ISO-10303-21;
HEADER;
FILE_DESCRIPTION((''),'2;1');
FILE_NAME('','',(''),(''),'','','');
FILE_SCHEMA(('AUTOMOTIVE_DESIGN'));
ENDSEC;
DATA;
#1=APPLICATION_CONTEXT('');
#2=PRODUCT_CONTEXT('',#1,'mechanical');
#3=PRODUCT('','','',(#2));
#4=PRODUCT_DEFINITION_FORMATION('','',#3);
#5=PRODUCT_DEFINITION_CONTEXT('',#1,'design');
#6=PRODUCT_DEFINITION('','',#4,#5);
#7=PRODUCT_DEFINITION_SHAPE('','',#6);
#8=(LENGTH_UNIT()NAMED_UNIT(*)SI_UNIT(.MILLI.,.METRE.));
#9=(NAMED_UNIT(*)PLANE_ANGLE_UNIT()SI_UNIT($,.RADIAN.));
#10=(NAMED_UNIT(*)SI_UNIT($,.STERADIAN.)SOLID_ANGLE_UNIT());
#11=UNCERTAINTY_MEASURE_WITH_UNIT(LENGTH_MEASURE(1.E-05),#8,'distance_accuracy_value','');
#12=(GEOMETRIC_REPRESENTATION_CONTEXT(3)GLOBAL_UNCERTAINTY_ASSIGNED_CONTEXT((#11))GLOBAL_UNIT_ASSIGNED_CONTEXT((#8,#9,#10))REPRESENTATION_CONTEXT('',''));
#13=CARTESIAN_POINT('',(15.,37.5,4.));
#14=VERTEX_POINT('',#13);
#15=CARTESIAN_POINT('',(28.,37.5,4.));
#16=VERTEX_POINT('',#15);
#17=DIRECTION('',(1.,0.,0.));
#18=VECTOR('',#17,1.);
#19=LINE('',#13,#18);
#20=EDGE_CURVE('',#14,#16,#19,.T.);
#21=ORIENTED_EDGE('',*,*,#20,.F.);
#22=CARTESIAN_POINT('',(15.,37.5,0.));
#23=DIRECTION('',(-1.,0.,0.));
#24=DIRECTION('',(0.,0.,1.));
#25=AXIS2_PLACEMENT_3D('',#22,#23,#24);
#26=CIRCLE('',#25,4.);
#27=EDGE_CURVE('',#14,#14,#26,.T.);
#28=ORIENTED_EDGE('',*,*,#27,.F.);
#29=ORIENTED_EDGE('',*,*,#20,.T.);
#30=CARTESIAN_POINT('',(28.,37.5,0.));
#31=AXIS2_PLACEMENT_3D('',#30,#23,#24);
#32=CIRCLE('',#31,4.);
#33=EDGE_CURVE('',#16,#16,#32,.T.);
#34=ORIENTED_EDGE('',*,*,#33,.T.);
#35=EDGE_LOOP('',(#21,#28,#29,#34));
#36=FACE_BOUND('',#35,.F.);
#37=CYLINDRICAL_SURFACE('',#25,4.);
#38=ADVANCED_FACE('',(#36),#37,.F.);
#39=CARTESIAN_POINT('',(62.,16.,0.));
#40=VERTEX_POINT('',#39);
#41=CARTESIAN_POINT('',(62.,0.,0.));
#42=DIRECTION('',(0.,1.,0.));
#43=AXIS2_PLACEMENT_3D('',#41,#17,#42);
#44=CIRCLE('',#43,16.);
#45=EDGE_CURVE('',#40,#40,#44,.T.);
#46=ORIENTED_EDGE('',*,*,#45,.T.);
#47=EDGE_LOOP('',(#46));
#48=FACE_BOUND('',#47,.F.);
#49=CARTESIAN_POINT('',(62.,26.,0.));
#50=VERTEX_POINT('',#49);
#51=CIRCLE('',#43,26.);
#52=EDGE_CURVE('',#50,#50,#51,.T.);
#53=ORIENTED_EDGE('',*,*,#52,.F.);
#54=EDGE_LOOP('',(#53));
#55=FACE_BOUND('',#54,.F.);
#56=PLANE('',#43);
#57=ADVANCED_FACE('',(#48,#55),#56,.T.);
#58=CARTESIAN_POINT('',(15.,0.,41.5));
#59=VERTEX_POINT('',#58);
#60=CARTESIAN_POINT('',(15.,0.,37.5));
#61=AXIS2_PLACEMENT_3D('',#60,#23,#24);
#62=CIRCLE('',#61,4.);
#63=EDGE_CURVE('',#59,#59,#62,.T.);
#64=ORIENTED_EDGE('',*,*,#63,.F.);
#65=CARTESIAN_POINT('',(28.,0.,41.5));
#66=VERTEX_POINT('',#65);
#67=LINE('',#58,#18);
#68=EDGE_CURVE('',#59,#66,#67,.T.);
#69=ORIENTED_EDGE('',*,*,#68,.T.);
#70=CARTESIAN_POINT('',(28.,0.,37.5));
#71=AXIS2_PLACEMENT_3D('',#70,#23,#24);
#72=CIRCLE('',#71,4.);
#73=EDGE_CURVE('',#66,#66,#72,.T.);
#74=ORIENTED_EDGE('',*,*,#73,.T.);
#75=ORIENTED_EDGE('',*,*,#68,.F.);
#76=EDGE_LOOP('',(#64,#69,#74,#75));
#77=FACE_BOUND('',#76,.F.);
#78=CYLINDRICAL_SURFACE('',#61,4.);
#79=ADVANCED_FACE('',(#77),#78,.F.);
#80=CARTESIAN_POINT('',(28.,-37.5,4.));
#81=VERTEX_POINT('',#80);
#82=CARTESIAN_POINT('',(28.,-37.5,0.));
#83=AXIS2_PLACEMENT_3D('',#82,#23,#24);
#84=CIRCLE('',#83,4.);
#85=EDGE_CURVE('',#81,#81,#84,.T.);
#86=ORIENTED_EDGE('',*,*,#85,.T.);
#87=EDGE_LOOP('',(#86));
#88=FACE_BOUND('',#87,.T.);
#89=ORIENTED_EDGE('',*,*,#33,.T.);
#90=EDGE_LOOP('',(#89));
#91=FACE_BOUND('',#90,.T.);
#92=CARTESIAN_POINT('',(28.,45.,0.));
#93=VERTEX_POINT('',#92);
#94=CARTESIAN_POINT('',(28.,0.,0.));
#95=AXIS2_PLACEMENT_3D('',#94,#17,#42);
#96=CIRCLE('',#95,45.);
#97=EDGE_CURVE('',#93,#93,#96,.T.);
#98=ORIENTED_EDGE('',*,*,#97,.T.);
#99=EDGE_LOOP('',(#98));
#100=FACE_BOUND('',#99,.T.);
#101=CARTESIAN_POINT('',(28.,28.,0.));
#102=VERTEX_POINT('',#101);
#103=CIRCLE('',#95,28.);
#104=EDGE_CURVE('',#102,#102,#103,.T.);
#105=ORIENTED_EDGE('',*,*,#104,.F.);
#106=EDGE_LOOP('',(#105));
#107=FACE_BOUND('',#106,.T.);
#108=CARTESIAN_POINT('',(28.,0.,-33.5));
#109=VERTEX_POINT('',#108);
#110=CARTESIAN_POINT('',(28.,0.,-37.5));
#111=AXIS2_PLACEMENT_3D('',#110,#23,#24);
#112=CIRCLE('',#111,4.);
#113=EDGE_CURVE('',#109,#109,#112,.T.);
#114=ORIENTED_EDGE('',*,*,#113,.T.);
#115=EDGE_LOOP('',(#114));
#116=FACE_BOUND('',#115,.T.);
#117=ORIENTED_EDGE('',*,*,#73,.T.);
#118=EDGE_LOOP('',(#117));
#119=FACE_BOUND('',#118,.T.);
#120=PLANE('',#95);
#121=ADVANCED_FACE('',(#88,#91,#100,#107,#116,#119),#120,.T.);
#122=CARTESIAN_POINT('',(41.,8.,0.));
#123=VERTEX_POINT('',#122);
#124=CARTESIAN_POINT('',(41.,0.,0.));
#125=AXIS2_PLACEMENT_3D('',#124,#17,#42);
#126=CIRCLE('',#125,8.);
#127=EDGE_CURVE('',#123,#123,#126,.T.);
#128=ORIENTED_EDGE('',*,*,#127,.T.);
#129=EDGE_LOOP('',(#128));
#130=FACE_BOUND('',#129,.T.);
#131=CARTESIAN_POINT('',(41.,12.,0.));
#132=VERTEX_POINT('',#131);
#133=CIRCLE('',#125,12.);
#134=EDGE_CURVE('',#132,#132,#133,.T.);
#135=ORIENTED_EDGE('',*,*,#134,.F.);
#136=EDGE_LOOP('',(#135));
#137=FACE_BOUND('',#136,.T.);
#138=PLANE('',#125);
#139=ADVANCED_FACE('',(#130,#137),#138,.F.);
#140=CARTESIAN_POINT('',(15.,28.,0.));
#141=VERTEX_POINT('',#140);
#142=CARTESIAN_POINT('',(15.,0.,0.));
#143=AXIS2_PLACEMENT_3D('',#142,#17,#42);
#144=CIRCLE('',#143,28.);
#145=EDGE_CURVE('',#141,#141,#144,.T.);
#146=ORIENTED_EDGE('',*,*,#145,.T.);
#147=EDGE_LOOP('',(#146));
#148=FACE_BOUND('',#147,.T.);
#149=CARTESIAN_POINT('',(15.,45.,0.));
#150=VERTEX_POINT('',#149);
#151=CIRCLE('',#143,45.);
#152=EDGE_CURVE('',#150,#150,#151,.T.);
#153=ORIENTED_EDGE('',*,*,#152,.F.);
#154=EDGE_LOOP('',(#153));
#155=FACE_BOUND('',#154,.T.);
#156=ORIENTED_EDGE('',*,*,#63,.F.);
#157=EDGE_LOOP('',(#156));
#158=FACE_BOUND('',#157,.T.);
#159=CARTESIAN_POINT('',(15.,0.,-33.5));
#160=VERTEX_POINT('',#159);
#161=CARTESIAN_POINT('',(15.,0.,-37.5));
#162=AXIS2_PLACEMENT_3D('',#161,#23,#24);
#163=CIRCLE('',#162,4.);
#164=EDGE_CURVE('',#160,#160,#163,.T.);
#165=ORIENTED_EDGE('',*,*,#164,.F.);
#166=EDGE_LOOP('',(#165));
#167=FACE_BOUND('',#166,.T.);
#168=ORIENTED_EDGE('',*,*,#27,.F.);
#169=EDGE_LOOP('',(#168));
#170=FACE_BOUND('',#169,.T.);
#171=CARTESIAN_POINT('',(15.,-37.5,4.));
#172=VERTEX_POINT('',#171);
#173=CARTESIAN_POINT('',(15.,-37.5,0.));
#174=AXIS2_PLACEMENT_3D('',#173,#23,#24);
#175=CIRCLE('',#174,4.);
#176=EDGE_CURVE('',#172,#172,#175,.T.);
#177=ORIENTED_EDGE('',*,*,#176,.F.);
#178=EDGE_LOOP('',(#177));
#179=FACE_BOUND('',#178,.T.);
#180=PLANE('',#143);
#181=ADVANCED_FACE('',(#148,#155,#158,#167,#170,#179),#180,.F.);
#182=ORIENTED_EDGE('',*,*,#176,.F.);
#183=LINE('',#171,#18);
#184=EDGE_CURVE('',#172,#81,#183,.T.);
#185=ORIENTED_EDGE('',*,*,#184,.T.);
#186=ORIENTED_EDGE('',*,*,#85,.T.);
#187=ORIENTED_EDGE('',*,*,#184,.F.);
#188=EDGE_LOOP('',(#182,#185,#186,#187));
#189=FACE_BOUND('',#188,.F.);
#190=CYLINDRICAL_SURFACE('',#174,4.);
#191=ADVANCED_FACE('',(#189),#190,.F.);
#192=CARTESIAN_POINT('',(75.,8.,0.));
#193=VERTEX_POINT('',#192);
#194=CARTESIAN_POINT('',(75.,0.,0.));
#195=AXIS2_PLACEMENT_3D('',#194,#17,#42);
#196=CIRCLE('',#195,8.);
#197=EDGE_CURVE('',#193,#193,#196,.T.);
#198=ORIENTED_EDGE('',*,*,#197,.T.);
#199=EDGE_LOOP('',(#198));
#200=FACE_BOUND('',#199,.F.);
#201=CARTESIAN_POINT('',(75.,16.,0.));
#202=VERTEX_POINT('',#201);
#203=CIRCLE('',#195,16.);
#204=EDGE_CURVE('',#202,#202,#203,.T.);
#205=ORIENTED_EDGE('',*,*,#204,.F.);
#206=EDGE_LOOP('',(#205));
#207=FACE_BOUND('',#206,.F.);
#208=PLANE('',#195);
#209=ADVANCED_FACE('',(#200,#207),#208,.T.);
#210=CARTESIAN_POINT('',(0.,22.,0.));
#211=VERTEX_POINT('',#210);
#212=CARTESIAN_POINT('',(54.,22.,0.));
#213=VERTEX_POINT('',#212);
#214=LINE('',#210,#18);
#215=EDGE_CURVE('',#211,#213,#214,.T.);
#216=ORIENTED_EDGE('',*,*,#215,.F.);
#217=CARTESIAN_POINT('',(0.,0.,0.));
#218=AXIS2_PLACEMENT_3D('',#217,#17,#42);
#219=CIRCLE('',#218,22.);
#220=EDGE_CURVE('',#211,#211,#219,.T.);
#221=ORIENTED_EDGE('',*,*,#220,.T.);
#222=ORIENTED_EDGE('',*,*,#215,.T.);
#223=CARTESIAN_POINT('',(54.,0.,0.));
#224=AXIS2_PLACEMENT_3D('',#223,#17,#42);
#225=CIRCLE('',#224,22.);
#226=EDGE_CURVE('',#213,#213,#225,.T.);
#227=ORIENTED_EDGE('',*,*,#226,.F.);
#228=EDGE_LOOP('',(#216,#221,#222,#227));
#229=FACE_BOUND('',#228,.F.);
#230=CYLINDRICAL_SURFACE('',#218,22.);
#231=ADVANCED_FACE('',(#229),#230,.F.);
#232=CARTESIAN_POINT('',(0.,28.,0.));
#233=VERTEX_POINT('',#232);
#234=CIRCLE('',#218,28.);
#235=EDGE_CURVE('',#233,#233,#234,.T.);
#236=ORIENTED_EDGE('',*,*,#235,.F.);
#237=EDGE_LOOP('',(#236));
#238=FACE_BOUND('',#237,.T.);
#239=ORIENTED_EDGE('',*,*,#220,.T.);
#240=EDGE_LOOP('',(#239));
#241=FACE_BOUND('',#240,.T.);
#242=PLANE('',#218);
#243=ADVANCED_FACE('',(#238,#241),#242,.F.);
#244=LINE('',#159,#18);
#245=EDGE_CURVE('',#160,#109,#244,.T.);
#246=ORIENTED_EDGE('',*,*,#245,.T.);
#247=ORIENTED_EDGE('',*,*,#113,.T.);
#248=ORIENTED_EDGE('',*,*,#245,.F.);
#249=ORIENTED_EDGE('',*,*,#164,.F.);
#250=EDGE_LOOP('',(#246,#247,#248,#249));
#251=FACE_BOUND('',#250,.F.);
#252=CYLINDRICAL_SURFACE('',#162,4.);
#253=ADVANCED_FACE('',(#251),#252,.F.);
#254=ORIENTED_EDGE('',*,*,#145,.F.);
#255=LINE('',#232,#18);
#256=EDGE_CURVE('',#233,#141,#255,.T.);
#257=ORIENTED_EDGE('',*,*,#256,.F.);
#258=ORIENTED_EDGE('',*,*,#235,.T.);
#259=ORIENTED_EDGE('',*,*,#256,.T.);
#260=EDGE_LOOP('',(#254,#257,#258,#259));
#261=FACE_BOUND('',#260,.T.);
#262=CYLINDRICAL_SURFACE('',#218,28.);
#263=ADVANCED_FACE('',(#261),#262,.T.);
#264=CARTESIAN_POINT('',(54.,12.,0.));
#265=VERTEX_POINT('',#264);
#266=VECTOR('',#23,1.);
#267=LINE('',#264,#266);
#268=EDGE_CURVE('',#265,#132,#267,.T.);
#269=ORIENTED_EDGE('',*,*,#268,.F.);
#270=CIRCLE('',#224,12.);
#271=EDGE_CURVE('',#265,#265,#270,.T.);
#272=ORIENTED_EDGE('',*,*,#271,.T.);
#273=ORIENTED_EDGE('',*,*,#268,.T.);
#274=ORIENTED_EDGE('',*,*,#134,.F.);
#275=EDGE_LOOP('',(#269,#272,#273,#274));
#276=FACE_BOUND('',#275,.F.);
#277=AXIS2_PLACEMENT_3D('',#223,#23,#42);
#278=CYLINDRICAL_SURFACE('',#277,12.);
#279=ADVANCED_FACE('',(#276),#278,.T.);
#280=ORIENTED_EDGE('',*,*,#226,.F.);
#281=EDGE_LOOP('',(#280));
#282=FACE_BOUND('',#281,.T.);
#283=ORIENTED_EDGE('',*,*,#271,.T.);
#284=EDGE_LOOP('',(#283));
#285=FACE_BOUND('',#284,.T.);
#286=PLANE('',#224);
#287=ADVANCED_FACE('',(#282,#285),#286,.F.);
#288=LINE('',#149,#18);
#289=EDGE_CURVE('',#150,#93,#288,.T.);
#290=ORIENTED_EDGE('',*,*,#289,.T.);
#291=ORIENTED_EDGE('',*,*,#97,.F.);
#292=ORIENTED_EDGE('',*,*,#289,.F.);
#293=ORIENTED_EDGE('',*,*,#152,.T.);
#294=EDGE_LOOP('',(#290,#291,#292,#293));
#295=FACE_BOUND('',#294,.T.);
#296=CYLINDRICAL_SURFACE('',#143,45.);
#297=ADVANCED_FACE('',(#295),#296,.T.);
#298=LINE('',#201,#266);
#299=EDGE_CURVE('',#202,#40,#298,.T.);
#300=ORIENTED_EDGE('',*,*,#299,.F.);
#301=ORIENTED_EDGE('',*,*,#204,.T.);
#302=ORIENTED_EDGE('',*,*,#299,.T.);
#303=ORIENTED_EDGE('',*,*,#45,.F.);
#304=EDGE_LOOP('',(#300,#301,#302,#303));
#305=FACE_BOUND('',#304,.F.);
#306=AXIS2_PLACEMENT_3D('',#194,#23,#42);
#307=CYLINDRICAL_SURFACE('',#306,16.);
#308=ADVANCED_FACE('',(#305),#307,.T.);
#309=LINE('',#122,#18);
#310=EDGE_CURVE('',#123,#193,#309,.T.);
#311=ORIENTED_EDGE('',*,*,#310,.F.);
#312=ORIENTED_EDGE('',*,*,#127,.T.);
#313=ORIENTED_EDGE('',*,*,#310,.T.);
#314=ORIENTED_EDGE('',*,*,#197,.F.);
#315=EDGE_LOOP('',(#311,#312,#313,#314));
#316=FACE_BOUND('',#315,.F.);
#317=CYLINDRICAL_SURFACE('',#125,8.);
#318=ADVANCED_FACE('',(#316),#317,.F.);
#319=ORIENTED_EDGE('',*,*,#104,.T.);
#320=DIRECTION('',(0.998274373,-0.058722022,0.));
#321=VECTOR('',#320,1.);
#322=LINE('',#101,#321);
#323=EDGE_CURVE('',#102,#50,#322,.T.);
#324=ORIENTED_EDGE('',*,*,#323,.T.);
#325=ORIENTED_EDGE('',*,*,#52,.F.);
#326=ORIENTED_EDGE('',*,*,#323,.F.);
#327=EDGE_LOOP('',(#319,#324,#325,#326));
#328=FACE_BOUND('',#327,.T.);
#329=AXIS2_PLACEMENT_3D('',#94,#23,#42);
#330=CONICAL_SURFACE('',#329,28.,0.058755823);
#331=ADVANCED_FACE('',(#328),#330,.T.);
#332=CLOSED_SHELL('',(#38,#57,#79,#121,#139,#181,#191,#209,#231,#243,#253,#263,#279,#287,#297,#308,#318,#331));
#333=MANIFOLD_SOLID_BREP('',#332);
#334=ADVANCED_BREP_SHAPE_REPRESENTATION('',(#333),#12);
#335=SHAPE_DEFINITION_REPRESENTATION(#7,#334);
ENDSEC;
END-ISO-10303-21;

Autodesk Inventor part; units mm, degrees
ref_plane "YZ Plane" through (0, 0, 0) normal (1, 0, 0) x (0, 1, 0)
ref_plane "XZ Plane" through (0, 0, 0) normal (0, 1, 0) x (-1, 0, 0)
ref_plane "XY Plane" through (0, 0, 0) normal (0, 0, 1) x (1, 0, 0)
sketch "Sketch1" plane through (0, 0, 0) normal (0, 0, 1) x (1, 0, 0)
  line L0 (0, 0) -> (75, 0)
  line L1 (0, 22) -> (54, 22)
  line L2 (0, 28) -> (15, 28)
  line L3 (15, 28) -> (15, 45)
  line L4 (15, 45) -> (28, 45)
  line L5 (28, 45) -> (28, 28)
  line L6 (54, 12) -> (41, 12)
  line L7 (54, 12) -> (54, 22)
  line L8 (41, 8) -> (75, 8)
  line L9 (75, 16) -> (62, 16)
  line L10 (75, 8) -> (75, 16)
  line L11 (62, 16) -> (62, 26)
  line L12 (28, 28) -> (62, 26)
  line L13 (41, 8) -> (41, 12)
  line L14 (0, 22) -> (0, 28)
  dimension "d0" = 75
  dimension "d1" = 54
  dimension "d2" = 22
  dimension "d3" = 15
  dimension "d4" = 17
  dimension "d5" = 13
  dimension "d6" = 28
  dimension "d7" = 13
  dimension "d8" = 12
  dimension "d9" = 8
  dimension "d10" = 13
  dimension "d11" = 16
  dimension "d12" = 26
  dimension "d13" = 15
  dimension "d14" = 54
  dimension "d15" = 62
revolve "Revolution1" add sketch "Sketch1" angle 360 about axis through (0, 0, 0) along (1, 0, 0)
sketch "Sketch2" plane through (15, 0, 0) normal (-1, 0, 0) x (0, 0, 1)
  circle A0 centre (0, 37.5) radius 4
  circle A1 centre (-37.5, 0) radius 4
  circle A2 centre (0, -37.5) radius 4
  circle A3 centre (37.5, 0) radius 4
  point P0 (0, 0)
  dimension "d19" = 8
  dimension "d20" = 37.5
  dimension "d23" = 360
extrude "Extrusion1" cut sketch "Sketch2" against normal through all
